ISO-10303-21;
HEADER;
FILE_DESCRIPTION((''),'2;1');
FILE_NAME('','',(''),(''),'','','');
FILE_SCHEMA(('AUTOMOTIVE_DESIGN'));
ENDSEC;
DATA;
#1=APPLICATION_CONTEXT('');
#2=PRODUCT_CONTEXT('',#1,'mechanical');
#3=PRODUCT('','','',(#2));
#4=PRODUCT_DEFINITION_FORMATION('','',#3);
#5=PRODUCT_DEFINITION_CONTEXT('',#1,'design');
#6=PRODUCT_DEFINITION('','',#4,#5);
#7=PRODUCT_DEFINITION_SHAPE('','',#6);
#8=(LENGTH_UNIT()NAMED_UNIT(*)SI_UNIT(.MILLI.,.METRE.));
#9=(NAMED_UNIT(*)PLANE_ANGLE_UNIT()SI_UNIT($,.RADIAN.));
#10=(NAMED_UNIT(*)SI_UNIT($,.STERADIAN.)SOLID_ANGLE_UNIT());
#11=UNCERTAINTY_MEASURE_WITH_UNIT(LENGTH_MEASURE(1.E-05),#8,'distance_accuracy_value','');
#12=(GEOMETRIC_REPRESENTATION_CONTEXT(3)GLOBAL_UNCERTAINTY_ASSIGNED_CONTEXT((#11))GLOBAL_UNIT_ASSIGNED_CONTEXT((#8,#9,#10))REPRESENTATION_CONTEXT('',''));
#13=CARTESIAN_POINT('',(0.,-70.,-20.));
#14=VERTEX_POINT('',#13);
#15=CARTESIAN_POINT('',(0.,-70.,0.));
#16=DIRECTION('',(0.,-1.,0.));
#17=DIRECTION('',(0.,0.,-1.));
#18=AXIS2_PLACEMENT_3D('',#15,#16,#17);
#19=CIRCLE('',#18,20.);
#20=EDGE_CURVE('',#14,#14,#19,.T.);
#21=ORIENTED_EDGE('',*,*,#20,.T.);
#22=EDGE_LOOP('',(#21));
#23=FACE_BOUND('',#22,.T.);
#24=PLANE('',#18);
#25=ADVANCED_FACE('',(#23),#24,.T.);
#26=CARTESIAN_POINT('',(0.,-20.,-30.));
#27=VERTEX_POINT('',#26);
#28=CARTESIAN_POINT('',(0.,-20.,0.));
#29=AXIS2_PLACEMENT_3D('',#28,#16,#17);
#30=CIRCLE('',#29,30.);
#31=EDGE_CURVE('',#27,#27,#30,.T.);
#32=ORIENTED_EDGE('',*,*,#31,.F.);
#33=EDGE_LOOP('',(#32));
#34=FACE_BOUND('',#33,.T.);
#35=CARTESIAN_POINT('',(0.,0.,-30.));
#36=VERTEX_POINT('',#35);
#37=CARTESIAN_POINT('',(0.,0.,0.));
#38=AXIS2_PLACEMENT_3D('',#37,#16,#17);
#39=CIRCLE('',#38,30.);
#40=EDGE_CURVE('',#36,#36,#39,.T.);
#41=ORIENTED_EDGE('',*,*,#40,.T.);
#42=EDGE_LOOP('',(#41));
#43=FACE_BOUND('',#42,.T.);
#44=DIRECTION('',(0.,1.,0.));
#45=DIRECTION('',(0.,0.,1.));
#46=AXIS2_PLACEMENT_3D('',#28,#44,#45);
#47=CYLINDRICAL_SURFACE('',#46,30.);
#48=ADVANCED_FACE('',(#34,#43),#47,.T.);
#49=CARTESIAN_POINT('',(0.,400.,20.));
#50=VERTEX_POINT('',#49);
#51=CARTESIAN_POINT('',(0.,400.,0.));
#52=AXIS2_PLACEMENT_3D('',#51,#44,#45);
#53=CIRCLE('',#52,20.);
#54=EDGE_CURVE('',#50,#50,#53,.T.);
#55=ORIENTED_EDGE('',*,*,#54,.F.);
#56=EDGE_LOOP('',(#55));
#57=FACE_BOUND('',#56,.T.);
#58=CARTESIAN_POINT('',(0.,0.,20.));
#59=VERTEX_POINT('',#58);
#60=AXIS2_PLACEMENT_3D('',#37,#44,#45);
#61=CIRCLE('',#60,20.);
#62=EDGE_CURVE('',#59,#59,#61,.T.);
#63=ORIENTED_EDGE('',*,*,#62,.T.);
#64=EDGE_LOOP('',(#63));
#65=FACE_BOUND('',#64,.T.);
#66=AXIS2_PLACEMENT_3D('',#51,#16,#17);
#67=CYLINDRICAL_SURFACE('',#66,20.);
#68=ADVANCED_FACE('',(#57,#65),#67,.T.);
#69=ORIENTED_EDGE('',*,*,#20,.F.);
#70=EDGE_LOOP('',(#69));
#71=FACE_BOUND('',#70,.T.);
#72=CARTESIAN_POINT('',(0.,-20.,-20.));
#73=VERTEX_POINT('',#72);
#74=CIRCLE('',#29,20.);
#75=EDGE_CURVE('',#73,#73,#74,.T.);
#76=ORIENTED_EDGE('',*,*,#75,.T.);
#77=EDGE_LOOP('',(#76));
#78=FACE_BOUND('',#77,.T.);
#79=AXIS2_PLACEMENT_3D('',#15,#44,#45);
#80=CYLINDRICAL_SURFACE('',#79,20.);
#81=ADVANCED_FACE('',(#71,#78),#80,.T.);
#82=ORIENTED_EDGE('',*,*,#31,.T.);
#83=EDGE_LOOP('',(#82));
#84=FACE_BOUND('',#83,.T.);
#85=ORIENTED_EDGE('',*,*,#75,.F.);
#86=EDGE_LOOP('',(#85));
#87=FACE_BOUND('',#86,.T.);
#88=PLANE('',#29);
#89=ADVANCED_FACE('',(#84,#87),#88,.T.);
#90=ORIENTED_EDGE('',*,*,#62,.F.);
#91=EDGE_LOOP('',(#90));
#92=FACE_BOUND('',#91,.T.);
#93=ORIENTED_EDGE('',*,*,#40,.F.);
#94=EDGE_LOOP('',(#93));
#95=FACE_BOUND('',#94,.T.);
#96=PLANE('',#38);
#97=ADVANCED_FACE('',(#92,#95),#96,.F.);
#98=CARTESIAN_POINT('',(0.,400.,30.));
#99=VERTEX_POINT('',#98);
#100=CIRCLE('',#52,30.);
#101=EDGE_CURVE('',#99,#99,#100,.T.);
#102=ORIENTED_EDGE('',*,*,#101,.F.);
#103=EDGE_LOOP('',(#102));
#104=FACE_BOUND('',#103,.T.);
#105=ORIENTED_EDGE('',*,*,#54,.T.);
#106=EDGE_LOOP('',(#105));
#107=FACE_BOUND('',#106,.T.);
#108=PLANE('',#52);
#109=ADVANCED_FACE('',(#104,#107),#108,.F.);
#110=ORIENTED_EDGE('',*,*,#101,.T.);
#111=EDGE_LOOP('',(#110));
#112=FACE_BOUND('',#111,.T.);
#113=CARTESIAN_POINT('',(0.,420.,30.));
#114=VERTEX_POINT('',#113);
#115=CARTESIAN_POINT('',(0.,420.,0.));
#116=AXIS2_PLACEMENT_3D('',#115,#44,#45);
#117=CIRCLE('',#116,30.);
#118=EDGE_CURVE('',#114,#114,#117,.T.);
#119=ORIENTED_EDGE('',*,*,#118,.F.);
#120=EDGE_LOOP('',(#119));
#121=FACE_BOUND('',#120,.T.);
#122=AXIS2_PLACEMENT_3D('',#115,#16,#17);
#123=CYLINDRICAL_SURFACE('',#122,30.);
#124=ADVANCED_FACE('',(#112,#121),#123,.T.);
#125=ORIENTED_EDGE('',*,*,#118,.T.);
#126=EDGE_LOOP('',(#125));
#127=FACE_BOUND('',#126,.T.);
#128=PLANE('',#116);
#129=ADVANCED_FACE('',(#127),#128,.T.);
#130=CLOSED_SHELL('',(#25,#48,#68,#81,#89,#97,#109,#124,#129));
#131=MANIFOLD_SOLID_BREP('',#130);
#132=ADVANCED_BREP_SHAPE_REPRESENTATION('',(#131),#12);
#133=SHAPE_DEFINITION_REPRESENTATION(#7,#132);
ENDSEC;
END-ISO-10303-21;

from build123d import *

# Parameters (mm, degrees)
SKETCH3_R           = 20
BOSS_EXTRUDE4_DEPTH = 400
SKETCH13_R          = 30
BOSS_EXTRUDE5_DEPTH = 20
BOSS_EXTRUDE6_START = 20
SKETCH14_R          = 30
BOSS_EXTRUDE6_DEPTH = 20
BOSS_EXTRUDE7_START = 50
SKETCH15_R          = 20
BOSS_EXTRUDE7_DEPTH = 50


with BuildPart() as part:
    # Sketch3 → Boss-Extrude4 (new body)
    with BuildSketch(Plane(origin=(0, 0, 0), x_dir=(1, 0, 0), z_dir=(0, 1, 0))):
        Circle(SKETCH3_R)
    extrude(amount=BOSS_EXTRUDE4_DEPTH)

    # Sketch13 → Boss-Extrude5 (add)
    with BuildSketch(Plane(origin=(0, 400, 0), x_dir=(1, 0, 0), z_dir=(0, 1, 0))):
        Circle(SKETCH13_R)
    extrude(amount=BOSS_EXTRUDE5_DEPTH)

    # Sketch14 → Boss-Extrude6 (add)
    with BuildSketch(Plane.XZ.offset(BOSS_EXTRUDE6_START)):
        Circle(SKETCH14_R)
    extrude(amount=-BOSS_EXTRUDE6_DEPTH)

    # Sketch15 → Boss-Extrude7 (add)
    with BuildSketch(Plane.XZ.offset(20).offset(BOSS_EXTRUDE7_START)):
        Circle(SKETCH15_R)
    extrude(amount=-BOSS_EXTRUDE7_DEPTH)


solid = part.part
